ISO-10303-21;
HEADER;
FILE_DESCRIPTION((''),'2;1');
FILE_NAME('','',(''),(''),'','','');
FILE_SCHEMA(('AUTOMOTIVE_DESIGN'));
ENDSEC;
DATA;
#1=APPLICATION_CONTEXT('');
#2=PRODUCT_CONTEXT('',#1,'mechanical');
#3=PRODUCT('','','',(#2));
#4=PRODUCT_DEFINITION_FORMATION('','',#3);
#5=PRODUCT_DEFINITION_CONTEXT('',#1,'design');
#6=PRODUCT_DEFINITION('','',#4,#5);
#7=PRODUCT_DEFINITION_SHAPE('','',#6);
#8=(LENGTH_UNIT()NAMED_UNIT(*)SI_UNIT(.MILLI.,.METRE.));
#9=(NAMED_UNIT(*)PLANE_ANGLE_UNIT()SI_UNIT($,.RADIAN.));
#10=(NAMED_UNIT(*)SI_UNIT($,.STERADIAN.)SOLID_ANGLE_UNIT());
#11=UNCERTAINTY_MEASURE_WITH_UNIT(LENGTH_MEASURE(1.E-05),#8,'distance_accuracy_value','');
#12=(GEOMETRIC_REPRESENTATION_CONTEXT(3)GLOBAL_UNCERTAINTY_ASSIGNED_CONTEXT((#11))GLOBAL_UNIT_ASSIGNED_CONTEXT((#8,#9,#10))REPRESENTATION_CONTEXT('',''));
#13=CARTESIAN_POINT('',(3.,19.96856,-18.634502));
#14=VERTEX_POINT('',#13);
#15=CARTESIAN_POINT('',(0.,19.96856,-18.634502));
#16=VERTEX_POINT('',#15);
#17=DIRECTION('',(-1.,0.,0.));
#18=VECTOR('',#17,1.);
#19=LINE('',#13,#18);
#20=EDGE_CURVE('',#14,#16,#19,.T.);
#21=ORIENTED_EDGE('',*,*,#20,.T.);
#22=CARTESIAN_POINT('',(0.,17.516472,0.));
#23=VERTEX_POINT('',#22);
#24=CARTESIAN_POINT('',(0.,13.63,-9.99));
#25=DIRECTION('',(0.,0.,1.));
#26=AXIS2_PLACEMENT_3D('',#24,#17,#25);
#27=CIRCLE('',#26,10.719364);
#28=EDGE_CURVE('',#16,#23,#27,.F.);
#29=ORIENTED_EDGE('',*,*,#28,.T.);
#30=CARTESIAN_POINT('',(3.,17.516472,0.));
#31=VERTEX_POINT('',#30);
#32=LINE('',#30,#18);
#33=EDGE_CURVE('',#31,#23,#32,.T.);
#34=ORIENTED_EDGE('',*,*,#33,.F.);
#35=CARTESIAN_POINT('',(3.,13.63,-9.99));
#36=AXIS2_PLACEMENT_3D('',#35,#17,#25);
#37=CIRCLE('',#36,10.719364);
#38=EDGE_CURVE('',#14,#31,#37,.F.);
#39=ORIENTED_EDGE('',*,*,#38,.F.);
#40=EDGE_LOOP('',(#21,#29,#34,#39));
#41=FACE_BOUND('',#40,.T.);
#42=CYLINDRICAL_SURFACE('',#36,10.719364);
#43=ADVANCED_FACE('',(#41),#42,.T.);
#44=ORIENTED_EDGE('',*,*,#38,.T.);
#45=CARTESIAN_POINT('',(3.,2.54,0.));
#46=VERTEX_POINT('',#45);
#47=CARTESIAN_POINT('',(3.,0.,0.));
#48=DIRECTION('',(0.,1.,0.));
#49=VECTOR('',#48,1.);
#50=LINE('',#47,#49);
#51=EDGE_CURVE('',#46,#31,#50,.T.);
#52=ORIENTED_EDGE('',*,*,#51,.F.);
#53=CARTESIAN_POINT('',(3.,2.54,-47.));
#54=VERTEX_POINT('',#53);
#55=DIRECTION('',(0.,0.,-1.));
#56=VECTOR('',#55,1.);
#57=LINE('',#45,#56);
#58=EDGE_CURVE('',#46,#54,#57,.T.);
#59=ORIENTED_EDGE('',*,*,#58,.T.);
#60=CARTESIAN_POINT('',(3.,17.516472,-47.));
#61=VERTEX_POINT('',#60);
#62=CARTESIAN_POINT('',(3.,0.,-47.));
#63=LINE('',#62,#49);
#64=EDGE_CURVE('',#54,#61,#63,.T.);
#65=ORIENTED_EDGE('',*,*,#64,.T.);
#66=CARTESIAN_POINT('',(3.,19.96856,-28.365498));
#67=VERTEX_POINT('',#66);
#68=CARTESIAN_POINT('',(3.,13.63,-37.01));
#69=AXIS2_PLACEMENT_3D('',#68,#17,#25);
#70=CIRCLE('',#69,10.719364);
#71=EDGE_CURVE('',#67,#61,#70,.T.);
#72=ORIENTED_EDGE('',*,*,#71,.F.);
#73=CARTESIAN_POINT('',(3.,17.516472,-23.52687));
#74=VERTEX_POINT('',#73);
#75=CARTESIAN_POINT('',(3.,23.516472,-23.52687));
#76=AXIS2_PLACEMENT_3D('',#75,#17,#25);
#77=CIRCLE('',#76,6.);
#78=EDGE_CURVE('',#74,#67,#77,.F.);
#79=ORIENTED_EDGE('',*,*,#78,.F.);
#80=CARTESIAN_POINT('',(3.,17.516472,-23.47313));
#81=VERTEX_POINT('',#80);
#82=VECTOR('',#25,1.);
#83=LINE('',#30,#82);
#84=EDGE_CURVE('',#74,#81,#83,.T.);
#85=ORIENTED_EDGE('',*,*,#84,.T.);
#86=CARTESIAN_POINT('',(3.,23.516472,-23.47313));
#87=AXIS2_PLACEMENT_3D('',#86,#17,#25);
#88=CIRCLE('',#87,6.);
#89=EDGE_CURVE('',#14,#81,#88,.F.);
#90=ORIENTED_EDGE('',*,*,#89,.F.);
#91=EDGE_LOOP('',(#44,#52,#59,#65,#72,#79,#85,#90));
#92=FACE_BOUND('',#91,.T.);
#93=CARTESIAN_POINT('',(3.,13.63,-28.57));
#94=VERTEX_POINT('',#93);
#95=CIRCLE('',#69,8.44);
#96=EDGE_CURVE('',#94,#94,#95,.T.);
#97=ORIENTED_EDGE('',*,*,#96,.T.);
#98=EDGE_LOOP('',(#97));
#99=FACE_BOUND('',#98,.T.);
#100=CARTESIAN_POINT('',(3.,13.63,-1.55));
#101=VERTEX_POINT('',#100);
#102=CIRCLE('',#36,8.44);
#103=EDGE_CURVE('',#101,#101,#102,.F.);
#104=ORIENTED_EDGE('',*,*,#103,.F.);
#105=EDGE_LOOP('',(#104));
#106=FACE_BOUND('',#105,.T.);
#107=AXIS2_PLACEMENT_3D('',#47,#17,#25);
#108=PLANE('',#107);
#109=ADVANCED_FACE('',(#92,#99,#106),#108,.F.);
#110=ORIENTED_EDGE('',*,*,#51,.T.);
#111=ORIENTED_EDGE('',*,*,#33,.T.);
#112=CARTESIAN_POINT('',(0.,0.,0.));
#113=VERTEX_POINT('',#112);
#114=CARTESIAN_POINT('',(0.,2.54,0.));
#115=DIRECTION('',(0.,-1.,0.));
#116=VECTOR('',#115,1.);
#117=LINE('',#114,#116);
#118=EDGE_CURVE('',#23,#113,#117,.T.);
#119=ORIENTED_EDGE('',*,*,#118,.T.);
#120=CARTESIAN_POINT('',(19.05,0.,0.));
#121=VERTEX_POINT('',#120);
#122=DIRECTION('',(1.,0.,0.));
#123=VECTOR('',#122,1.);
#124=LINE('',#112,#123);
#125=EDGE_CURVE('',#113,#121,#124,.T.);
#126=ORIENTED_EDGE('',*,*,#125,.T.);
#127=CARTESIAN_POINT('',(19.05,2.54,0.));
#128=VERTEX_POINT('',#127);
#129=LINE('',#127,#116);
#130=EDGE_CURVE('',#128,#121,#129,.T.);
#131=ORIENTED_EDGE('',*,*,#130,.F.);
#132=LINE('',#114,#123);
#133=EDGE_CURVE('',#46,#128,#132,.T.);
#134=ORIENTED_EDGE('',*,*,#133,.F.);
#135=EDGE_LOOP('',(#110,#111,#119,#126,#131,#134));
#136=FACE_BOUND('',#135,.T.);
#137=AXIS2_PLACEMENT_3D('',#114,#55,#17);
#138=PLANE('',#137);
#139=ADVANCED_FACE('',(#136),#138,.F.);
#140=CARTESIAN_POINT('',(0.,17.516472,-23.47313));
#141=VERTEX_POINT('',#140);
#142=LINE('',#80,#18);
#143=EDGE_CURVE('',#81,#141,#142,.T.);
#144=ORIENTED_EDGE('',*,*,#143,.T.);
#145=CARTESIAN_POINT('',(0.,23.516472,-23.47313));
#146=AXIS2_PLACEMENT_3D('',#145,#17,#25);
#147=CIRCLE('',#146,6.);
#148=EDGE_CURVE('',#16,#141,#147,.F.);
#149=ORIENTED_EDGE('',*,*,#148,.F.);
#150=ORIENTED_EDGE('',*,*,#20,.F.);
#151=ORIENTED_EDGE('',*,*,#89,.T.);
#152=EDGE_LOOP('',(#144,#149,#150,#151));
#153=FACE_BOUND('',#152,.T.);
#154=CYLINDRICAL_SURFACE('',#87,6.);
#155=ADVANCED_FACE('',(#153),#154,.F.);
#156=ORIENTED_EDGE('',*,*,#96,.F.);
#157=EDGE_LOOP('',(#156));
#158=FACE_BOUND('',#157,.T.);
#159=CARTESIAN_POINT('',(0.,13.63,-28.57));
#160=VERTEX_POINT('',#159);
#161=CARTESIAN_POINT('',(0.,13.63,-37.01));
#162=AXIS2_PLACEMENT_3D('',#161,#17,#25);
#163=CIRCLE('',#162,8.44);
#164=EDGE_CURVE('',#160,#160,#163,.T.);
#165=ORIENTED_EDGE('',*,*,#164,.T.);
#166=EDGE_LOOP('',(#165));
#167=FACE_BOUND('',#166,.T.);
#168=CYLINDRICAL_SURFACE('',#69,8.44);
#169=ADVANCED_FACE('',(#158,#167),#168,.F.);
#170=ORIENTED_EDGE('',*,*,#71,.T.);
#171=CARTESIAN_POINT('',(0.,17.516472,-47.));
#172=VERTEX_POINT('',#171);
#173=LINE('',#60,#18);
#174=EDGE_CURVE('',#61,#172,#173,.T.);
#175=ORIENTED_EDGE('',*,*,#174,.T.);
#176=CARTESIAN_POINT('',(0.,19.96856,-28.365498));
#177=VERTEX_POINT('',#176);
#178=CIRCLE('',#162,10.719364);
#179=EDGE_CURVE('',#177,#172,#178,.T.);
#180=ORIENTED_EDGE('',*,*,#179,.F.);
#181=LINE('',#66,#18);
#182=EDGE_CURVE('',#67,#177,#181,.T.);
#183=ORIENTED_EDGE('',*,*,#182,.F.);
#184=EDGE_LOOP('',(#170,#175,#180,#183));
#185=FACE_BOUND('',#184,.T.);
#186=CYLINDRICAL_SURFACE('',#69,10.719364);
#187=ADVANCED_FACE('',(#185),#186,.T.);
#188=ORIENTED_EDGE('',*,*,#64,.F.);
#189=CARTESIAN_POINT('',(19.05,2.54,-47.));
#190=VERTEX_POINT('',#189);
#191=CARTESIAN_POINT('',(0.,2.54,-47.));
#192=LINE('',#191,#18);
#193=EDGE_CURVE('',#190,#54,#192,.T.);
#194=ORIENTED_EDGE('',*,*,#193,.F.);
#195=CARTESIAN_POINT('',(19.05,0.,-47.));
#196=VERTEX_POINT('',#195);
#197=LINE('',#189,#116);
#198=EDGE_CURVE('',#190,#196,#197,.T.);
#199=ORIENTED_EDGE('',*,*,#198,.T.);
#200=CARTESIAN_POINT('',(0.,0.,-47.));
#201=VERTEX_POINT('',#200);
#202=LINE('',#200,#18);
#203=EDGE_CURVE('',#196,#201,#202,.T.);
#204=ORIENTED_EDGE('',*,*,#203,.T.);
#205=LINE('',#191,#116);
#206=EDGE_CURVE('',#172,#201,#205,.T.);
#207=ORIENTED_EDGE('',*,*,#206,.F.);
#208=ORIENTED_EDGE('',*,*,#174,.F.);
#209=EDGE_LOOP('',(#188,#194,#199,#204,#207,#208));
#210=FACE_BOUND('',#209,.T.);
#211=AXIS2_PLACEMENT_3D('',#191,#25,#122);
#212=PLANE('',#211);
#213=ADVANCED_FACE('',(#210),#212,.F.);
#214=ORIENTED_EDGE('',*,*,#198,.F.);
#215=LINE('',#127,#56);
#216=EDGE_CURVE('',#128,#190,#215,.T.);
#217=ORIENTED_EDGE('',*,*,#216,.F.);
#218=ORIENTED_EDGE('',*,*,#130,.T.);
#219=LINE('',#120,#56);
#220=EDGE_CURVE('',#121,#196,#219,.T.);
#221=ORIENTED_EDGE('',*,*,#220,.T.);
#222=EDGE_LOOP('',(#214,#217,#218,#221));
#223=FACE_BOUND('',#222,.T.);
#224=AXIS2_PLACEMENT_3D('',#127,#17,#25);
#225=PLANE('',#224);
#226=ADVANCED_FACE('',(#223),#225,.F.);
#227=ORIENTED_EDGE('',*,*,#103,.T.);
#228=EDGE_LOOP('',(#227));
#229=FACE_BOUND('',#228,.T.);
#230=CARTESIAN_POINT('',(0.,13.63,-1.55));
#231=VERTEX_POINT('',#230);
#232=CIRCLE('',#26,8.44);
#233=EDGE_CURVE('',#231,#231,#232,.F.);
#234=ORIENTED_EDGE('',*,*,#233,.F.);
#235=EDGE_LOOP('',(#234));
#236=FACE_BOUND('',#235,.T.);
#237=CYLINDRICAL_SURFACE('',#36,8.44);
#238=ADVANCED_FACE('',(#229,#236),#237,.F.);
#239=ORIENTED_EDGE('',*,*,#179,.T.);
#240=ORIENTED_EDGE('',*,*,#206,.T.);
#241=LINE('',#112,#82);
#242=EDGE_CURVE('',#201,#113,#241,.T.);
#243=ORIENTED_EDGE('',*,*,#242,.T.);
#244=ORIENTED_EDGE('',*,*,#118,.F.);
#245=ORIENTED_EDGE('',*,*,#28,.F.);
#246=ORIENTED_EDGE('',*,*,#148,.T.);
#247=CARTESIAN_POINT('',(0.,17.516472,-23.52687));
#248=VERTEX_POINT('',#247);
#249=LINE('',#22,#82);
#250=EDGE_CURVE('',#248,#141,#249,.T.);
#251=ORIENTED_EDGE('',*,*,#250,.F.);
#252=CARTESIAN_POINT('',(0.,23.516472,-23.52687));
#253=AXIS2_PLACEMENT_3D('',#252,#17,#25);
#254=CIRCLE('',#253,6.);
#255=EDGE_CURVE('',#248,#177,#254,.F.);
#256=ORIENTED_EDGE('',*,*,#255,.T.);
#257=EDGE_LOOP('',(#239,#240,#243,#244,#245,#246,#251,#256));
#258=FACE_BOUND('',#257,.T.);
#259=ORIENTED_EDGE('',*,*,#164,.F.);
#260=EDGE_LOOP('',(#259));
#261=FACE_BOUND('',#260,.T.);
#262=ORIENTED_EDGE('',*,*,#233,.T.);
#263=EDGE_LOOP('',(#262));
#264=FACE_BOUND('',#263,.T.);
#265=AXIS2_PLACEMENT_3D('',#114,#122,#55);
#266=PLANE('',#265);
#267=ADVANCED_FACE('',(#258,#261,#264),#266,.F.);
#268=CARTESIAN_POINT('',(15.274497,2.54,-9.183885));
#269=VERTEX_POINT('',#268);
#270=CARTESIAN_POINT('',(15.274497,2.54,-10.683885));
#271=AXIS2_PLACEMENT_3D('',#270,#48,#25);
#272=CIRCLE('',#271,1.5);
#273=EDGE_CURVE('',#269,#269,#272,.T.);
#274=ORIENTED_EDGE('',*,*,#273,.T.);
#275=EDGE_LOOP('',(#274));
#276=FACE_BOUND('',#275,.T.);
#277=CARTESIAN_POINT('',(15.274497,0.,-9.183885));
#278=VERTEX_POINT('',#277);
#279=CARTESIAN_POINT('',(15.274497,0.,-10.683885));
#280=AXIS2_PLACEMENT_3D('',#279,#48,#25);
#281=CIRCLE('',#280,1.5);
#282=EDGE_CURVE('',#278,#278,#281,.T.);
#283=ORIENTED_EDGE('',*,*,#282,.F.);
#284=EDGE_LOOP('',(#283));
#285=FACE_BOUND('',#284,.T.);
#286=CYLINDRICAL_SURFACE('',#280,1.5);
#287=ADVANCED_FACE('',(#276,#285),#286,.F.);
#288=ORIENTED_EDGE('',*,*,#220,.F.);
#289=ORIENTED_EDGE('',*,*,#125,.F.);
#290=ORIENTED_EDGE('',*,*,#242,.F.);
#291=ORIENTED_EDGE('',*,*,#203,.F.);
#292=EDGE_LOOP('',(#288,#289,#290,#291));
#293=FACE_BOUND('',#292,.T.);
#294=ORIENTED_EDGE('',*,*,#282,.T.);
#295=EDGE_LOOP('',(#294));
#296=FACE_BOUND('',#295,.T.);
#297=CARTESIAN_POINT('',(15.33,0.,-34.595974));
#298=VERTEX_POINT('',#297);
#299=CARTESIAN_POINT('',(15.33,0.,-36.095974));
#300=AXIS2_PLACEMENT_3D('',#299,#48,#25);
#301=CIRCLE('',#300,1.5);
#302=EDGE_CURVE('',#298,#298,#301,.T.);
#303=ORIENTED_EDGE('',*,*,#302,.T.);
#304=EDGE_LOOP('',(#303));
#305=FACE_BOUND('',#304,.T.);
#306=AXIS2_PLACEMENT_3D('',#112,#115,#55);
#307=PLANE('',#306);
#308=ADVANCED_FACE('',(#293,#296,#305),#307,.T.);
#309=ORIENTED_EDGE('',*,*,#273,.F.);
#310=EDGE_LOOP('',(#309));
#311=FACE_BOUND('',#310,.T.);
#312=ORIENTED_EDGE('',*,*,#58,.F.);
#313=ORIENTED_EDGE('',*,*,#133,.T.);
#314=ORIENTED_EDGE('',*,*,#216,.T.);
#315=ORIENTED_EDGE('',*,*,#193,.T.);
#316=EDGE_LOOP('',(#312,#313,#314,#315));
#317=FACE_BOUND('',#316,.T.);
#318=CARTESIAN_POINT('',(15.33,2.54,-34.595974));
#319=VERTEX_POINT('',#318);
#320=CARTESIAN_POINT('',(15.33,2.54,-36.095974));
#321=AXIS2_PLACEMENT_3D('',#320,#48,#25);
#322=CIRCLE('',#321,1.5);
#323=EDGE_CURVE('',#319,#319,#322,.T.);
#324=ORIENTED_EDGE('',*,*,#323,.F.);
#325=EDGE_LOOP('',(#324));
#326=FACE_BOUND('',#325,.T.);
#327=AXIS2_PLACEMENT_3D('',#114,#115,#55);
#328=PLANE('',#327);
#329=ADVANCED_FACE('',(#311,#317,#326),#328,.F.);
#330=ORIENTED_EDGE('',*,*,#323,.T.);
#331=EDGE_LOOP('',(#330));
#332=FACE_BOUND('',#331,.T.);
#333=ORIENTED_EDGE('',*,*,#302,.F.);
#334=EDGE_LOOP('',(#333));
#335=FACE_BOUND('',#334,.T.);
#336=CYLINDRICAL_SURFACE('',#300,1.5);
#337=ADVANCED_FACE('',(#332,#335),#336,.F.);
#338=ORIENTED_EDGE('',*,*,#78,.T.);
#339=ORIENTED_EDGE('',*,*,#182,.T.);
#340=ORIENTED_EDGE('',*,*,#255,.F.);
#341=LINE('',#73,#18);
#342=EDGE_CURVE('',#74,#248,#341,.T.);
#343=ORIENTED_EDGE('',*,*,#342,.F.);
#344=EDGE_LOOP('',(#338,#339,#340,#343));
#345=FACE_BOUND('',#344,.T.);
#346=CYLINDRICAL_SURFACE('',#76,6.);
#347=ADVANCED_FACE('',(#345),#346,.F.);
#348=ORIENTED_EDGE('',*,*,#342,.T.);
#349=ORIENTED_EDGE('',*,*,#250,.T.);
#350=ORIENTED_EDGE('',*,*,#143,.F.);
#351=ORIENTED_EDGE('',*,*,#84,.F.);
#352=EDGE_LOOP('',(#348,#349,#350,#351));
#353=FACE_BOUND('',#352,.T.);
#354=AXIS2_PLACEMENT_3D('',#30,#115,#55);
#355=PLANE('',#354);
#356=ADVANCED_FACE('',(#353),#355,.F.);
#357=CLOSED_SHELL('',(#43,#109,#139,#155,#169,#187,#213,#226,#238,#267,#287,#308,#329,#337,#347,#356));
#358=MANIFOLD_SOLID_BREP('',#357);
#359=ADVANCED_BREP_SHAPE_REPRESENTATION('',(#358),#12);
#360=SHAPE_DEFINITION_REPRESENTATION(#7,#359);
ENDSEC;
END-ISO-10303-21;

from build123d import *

# Parameters (mm, degrees)
SKETCH1_W           = 19.05
SKETCH1_H           = 47
BOSS_EXTRUDE1_DEPTH = 2.54
SKETCH2_R           = 8.44
BOSS_EXTRUDE2_DEPTH = 3
SKETCH3_R           = 1.5
CUT_EXTRUDE1_DEPTH  = 56.204627156


with BuildPart() as part:
    # Sketch1 → Boss-Extrude1 (new body)
    with BuildSketch(Plane(origin=(0, 0, 0), x_dir=(1, 0, 0), z_dir=(0, 1, 0))):
        with Locations((9.525, 23.5)):
            Rectangle(SKETCH1_W, SKETCH1_H)
    extrude(amount=BOSS_EXTRUDE1_DEPTH)

    # Sketch2 → Boss-Extrude2 (add)
    with BuildSketch(Plane.ZY):
        with BuildLine():
            Line((-23.526869674, 17.516472082), (-23.473130326, 17.516472082))
            ThreePointArc((-23.473130326, 17.516472082), (-20.760886981, 18.164487773), (-18.634502385, 19.968560069))
            ThreePointArc((-18.634502385, 19.968560069), (-8.591509803, 24.257746253), (0, 17.516472082))
            Line((0, 17.516472082), (0, 2.54))
            Line((0, 2.54), (-47, 2.54))
            Line((-47, 2.54), (-47, 17.516472082))
            ThreePointArc((-47, 17.516472082), (-38.408490197, 24.257746253), (-28.365497615, 19.968560069))
            ThreePointArc((-28.365497615, 19.968560069), (-26.239113019, 18.164487773), (-23.526869674, 17.516472082))
        make_face()
        with Locations((-9.99, 13.63)):
            Circle(SKETCH2_R, mode=Mode.SUBTRACT)
        with Locations((-37.01, 13.63)):
            Circle(SKETCH2_R, mode=Mode.SUBTRACT)
    extrude(amount=-BOSS_EXTRUDE2_DEPTH)

    # Sketch3 → Cut-Extrude1 (cut, through all)
    with BuildSketch(Plane(origin=(0, 2.54, 0), x_dir=(1, 0, 0), z_dir=(0, 1, 0))):
        with Locations(Location((15.274497475, 10.68388452, 0), (0, 0, 270))):
            Circle(SKETCH3_R)
        with Locations(Location((15.33, 36.095973984, 0), (0, 0, 270))):
            Circle(SKETCH3_R)
    extrude(amount=-CUT_EXTRUDE1_DEPTH, mode=Mode.SUBTRACT)


solid = part.part
